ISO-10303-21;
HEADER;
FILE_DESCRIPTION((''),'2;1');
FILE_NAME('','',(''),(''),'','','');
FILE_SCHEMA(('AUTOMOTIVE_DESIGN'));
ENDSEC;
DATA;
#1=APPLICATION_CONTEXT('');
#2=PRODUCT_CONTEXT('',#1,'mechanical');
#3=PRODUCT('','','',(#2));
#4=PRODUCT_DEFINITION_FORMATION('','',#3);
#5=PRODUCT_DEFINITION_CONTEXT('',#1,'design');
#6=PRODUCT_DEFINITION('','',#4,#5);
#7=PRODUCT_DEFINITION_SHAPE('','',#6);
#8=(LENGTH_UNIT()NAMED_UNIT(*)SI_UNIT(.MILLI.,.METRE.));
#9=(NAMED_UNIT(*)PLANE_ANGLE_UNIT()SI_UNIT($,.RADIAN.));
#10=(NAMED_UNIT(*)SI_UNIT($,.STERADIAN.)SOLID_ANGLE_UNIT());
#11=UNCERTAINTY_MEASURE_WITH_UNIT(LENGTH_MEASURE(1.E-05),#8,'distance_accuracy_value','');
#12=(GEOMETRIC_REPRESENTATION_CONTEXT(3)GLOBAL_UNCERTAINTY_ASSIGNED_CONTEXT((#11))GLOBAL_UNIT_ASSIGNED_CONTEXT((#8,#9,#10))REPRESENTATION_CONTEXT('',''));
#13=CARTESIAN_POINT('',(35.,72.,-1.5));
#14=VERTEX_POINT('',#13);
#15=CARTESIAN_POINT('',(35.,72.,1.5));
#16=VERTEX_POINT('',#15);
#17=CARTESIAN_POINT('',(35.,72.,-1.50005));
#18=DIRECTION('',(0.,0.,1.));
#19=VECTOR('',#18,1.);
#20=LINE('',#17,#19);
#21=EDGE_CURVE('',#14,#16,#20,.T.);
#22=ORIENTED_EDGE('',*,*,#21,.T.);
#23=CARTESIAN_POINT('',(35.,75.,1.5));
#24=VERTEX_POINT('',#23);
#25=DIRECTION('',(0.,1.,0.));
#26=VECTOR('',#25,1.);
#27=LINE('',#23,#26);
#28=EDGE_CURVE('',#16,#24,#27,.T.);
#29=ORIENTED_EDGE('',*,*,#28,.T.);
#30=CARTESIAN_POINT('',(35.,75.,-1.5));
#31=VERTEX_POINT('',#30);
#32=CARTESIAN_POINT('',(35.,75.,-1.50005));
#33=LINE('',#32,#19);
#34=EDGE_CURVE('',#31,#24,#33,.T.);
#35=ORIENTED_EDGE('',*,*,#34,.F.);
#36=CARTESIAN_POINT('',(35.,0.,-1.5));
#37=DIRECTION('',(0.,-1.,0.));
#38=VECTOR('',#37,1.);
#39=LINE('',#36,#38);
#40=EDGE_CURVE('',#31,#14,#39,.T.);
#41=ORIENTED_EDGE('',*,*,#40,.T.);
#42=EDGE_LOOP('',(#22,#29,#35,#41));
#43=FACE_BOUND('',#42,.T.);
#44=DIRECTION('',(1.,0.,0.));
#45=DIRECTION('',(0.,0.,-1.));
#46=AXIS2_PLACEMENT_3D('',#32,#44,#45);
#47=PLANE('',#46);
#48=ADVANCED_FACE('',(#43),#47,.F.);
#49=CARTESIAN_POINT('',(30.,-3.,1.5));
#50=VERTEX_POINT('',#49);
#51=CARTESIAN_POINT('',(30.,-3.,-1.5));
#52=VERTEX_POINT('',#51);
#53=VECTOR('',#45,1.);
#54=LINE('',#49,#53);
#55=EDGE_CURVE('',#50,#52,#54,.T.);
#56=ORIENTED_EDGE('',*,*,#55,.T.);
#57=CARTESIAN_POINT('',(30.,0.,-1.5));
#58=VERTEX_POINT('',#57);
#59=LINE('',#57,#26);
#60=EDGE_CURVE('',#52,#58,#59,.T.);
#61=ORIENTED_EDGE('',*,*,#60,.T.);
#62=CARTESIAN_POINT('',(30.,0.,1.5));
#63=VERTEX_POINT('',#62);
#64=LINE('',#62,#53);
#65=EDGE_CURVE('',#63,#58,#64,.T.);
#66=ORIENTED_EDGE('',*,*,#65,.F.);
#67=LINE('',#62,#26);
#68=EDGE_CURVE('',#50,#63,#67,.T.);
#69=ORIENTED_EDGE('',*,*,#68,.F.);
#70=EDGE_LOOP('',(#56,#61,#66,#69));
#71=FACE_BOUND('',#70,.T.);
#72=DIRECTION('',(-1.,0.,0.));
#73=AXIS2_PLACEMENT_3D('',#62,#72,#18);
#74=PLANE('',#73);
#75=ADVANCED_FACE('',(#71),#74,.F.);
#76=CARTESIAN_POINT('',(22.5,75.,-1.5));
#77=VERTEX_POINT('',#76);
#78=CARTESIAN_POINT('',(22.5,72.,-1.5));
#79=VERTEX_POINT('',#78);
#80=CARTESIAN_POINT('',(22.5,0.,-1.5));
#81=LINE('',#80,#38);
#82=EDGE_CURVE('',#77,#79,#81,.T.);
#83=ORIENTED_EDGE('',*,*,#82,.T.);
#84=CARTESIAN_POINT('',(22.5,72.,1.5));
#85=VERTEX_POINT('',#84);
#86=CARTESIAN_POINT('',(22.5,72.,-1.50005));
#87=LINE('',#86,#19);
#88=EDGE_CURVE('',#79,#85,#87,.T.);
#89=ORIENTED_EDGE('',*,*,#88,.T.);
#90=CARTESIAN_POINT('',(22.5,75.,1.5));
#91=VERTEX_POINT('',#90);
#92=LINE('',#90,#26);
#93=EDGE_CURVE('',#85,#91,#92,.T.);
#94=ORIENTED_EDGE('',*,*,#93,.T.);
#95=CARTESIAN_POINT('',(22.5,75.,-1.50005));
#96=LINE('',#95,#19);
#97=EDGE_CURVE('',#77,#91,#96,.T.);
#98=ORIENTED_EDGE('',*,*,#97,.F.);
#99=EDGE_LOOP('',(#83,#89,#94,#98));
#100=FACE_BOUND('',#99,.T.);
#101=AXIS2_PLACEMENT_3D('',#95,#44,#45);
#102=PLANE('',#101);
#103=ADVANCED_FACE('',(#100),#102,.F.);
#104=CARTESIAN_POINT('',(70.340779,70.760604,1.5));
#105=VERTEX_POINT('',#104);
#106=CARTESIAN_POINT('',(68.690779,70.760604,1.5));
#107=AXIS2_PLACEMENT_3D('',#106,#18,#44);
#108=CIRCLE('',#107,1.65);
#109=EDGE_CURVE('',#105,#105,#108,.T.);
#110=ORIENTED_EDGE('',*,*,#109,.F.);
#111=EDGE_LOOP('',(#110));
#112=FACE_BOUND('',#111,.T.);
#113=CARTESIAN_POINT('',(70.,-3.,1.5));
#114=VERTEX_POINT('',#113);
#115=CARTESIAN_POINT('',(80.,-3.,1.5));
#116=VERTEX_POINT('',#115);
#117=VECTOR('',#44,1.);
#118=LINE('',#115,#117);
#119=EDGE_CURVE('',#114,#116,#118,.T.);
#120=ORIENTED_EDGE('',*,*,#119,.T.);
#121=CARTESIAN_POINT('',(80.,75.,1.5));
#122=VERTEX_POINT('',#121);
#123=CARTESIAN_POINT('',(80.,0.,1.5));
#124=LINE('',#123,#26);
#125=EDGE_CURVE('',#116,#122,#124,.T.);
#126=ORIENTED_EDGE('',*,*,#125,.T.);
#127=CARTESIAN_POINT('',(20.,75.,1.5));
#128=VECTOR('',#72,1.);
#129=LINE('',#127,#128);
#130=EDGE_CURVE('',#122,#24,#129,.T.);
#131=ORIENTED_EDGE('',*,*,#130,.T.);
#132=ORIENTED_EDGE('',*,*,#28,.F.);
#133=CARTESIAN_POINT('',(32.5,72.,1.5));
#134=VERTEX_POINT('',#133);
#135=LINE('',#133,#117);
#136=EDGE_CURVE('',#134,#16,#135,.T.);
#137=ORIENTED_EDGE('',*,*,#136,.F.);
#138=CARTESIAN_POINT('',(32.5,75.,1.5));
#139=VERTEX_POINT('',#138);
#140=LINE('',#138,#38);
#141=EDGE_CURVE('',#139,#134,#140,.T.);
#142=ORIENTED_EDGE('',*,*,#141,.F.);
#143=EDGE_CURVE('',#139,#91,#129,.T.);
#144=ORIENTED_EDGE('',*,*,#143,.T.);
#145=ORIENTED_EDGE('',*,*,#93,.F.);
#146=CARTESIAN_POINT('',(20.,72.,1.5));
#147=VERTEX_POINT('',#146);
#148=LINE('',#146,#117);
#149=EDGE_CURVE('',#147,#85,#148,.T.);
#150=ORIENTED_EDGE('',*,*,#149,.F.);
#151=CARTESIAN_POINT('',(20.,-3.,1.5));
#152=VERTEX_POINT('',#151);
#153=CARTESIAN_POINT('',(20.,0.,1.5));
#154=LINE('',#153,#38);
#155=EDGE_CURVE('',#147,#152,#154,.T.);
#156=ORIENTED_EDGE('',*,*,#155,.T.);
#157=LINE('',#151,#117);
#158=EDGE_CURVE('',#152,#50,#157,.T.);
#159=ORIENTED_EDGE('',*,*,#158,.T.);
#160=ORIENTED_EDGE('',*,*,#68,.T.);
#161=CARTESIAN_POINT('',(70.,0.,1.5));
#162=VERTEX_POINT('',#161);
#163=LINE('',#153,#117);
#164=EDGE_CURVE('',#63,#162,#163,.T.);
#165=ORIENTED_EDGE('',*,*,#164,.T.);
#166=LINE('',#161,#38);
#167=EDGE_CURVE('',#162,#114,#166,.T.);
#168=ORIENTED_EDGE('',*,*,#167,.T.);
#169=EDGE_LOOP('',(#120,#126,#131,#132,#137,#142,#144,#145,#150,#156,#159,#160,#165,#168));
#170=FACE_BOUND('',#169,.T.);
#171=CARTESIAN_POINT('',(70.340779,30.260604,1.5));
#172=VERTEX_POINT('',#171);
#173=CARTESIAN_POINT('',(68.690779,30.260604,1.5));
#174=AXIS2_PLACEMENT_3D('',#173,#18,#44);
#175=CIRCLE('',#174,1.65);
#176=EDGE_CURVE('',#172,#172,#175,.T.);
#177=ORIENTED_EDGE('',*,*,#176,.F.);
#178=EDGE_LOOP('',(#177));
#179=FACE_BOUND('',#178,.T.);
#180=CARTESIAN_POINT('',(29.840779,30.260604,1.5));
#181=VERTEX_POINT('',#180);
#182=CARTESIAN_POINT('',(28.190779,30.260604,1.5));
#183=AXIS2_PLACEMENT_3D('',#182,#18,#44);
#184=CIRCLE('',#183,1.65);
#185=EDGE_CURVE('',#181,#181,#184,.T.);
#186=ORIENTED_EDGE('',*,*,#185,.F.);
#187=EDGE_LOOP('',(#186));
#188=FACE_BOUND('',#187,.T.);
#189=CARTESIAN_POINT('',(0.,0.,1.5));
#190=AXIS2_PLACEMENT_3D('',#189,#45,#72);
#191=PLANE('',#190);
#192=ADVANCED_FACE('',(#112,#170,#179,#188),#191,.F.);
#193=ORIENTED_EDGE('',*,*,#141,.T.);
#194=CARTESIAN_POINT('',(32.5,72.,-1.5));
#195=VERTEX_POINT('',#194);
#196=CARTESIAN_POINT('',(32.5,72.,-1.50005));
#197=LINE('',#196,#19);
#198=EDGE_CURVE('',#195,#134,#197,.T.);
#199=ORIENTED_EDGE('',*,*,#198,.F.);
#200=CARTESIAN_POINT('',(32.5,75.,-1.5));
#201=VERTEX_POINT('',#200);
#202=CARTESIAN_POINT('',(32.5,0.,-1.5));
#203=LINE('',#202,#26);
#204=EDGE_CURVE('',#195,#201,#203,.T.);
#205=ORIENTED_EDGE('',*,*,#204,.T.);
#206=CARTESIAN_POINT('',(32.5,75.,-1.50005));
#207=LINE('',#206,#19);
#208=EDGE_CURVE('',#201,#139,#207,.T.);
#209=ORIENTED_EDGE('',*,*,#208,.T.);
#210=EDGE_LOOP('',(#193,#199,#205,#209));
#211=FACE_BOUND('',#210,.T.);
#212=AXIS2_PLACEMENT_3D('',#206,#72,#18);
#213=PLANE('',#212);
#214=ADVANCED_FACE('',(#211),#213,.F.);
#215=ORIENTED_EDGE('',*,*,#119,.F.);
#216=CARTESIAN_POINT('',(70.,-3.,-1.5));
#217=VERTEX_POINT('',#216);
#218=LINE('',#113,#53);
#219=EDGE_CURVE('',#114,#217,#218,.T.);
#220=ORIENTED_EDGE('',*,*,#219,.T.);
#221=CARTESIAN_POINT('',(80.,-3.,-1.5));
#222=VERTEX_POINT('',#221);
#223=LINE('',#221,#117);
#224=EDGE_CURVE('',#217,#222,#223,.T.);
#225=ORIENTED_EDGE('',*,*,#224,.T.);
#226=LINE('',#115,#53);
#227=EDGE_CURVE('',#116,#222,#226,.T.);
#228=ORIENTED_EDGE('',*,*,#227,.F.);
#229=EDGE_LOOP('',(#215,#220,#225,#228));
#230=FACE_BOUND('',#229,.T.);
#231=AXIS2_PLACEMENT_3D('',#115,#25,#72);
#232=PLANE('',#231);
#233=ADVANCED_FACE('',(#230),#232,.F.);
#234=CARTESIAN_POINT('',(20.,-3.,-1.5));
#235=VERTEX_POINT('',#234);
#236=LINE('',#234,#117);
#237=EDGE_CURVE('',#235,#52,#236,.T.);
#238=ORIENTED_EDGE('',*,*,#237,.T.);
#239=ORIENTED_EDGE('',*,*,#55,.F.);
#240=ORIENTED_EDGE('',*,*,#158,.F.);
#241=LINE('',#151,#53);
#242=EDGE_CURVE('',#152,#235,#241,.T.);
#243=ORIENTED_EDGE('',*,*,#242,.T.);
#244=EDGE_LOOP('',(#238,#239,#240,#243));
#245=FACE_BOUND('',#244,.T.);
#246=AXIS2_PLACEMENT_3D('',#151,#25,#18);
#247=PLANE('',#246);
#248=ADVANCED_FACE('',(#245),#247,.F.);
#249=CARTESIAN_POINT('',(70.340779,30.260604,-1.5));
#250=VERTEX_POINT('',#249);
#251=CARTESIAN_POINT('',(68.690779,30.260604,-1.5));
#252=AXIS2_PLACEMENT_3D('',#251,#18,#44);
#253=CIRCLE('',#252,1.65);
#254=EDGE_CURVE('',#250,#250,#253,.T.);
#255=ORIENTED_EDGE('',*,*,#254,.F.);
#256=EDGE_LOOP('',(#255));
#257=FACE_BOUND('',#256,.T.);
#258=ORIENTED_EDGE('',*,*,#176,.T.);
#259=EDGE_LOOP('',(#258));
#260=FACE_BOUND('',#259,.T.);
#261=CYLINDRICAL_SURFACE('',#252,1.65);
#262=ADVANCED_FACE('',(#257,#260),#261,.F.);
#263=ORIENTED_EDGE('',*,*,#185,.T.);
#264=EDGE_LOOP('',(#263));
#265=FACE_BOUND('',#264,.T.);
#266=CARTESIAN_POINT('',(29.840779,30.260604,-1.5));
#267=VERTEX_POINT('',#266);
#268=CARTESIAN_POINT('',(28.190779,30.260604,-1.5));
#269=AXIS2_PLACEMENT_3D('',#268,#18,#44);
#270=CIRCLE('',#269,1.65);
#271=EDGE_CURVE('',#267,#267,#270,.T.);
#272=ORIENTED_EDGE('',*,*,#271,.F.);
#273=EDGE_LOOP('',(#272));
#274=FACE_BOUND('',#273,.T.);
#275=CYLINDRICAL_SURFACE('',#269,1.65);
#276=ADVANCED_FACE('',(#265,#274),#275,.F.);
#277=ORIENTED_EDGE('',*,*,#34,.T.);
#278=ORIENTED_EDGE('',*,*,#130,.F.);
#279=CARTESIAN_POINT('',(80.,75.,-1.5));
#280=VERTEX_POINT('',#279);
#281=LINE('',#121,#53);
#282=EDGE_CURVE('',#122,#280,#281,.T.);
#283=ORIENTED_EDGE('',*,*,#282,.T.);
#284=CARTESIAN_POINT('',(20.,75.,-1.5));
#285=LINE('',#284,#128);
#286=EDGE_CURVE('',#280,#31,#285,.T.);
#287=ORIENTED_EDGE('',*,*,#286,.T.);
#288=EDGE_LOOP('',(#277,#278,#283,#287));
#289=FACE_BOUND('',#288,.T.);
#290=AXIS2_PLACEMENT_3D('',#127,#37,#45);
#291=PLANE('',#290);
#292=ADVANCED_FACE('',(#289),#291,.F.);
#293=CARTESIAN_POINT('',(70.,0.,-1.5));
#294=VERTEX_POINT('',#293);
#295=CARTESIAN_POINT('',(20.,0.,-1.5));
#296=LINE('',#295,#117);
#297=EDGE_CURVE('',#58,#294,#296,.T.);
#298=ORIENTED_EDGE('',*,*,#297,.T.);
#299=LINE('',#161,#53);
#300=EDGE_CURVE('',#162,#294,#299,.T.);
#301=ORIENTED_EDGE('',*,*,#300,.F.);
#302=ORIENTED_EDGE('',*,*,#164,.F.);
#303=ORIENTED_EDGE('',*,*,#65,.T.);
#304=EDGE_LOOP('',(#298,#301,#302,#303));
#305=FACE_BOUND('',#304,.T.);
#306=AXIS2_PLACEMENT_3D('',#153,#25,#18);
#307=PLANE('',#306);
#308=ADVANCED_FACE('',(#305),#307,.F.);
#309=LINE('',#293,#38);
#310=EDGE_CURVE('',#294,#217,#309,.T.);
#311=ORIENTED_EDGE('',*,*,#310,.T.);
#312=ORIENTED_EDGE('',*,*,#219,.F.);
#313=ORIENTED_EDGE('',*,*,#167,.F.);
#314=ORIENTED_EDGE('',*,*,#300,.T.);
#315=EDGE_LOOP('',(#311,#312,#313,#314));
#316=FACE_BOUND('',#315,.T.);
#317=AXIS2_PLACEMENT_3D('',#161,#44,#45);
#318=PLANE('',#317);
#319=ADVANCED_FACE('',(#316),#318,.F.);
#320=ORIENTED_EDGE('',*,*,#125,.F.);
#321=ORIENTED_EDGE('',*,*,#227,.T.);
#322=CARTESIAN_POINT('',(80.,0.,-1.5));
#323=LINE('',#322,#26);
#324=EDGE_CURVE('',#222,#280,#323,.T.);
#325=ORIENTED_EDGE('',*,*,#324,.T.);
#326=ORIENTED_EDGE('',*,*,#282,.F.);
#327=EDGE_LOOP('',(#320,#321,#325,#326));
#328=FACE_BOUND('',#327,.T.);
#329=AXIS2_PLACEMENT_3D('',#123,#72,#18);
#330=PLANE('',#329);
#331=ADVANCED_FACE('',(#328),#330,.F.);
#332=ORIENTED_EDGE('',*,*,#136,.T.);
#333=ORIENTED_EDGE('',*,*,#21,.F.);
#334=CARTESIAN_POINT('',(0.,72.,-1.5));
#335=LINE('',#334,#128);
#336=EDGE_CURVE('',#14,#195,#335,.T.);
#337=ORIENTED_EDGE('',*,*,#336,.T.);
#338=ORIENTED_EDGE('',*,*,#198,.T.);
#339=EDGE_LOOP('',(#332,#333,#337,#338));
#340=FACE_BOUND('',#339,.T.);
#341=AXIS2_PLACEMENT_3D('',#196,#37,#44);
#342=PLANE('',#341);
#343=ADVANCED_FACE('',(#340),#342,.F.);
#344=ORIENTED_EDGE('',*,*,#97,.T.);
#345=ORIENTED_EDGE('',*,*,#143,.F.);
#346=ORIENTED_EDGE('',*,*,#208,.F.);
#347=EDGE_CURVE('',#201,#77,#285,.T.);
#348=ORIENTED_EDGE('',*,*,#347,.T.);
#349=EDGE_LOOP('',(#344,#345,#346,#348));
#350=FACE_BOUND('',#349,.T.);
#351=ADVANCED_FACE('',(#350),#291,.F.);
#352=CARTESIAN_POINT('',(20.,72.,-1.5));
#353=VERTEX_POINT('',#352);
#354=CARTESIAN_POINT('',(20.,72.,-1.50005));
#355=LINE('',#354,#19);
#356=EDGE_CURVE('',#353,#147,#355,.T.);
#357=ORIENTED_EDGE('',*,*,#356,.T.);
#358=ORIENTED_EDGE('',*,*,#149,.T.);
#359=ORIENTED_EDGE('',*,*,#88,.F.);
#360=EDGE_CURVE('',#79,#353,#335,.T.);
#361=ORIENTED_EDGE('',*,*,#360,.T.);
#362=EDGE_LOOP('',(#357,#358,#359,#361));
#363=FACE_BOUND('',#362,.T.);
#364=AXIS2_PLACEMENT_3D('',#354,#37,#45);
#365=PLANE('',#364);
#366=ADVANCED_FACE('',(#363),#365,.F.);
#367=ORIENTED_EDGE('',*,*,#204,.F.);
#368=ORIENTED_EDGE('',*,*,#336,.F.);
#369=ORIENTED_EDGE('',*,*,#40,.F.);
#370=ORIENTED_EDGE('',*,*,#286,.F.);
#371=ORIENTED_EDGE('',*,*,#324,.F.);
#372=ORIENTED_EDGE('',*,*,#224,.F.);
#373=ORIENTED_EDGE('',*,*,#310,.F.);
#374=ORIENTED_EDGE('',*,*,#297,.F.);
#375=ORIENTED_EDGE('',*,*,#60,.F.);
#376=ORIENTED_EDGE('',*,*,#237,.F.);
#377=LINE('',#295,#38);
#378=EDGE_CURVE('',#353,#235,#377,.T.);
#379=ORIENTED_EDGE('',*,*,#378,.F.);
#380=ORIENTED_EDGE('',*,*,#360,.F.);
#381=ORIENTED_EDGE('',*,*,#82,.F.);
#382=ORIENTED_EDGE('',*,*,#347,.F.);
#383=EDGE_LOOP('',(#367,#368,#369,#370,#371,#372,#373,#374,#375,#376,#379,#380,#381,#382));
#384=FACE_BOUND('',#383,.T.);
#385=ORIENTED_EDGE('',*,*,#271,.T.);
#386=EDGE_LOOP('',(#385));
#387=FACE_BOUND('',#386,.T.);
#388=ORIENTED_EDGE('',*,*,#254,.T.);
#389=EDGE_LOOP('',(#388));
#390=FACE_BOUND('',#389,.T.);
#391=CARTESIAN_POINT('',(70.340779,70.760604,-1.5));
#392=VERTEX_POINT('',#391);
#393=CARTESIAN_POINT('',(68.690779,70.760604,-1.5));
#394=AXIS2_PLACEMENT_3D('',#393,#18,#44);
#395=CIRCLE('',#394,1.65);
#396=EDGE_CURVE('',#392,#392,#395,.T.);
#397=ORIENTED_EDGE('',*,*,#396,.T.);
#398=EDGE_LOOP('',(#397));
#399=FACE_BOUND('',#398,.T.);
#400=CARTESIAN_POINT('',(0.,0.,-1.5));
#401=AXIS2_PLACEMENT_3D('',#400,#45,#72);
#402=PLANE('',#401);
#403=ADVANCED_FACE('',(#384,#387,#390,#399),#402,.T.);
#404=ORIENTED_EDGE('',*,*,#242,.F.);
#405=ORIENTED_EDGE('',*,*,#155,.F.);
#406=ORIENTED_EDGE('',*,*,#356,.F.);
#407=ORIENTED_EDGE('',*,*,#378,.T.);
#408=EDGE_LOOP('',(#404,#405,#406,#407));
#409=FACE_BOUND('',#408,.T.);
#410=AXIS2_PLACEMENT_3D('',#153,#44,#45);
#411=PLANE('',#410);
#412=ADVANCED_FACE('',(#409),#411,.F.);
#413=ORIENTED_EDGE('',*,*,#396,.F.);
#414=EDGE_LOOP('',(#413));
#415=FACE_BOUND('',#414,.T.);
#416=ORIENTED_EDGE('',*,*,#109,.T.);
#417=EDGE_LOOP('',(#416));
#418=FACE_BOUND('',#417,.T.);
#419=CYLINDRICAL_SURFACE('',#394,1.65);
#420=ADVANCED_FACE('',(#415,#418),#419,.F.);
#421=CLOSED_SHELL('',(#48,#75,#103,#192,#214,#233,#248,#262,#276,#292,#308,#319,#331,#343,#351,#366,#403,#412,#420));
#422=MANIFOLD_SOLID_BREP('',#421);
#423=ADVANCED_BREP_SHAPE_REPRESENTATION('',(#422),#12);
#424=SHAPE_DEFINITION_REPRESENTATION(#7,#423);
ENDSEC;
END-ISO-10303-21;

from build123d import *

# Parameters (mm, degrees)
SKETCH1_W              = 60
SKETCH1_H              = 75
MAINBODY_DEPTH         = 1.5
SHAFT_HOLES_DEPTH      = 110.668819634
SHAFT_HOLES_DEPTH_BACK = 110.668819634
SKETCH3_R              = 1.65
SKETCH4_W              = 10
SKETCH4_H              = 3
BASETABS_DEPTH         = 1.5
SKETCH5_W              = 2.5
SKETCH5_H              = 3
CUT_EXTRUDE2_DEPTH     = 110.69958979


with BuildPart() as part:
    # Sketch1 → MainBody (new, symmetric)
    with BuildSketch(Plane.XY):
        with Locations((50, 37.5)):
            Rectangle(SKETCH1_W, SKETCH1_H)
    extrude(amount=MAINBODY_DEPTH, both=True)

    # Sketch3 → Shaft Holes (cut, two sides: drawn at the far end of the back side and taken through both)
    with BuildSketch(Plane.XY.offset(-SHAFT_HOLES_DEPTH_BACK)):
        with Locations((28.190778624, 30.2606043)):
            Circle(SKETCH3_R)
        with Locations((68.690778624, 30.2606043)):
            Circle(SKETCH3_R)
        with Locations((68.690778624, 70.7606043)):
            Circle(SKETCH3_R)
    extrude(amount=SHAFT_HOLES_DEPTH + SHAFT_HOLES_DEPTH_BACK, mode=Mode.SUBTRACT)

    # Sketch4 → BaseTabs (add, symmetric)
    with BuildSketch(Plane.XY):
        with Locations((25, -1.5)):
            Rectangle(SKETCH4_W, SKETCH4_H)
        with Locations((75, -1.5)):
            Rectangle(SKETCH4_W, SKETCH4_H)
    extrude(amount=BASETABS_DEPTH, both=True)

    # Sketch5 → Cut-Extrude2 (cut, through all)
    with BuildSketch(Plane.XY.offset(1.5)):
        with Locations((21.25, 73.5)):
            Rectangle(SKETCH5_W, SKETCH5_H)
        with Locations((33.75, 73.5)):
            Rectangle(SKETCH5_W, SKETCH5_H)
    extrude(amount=-CUT_EXTRUDE2_DEPTH, mode=Mode.SUBTRACT)


solid = part.part
